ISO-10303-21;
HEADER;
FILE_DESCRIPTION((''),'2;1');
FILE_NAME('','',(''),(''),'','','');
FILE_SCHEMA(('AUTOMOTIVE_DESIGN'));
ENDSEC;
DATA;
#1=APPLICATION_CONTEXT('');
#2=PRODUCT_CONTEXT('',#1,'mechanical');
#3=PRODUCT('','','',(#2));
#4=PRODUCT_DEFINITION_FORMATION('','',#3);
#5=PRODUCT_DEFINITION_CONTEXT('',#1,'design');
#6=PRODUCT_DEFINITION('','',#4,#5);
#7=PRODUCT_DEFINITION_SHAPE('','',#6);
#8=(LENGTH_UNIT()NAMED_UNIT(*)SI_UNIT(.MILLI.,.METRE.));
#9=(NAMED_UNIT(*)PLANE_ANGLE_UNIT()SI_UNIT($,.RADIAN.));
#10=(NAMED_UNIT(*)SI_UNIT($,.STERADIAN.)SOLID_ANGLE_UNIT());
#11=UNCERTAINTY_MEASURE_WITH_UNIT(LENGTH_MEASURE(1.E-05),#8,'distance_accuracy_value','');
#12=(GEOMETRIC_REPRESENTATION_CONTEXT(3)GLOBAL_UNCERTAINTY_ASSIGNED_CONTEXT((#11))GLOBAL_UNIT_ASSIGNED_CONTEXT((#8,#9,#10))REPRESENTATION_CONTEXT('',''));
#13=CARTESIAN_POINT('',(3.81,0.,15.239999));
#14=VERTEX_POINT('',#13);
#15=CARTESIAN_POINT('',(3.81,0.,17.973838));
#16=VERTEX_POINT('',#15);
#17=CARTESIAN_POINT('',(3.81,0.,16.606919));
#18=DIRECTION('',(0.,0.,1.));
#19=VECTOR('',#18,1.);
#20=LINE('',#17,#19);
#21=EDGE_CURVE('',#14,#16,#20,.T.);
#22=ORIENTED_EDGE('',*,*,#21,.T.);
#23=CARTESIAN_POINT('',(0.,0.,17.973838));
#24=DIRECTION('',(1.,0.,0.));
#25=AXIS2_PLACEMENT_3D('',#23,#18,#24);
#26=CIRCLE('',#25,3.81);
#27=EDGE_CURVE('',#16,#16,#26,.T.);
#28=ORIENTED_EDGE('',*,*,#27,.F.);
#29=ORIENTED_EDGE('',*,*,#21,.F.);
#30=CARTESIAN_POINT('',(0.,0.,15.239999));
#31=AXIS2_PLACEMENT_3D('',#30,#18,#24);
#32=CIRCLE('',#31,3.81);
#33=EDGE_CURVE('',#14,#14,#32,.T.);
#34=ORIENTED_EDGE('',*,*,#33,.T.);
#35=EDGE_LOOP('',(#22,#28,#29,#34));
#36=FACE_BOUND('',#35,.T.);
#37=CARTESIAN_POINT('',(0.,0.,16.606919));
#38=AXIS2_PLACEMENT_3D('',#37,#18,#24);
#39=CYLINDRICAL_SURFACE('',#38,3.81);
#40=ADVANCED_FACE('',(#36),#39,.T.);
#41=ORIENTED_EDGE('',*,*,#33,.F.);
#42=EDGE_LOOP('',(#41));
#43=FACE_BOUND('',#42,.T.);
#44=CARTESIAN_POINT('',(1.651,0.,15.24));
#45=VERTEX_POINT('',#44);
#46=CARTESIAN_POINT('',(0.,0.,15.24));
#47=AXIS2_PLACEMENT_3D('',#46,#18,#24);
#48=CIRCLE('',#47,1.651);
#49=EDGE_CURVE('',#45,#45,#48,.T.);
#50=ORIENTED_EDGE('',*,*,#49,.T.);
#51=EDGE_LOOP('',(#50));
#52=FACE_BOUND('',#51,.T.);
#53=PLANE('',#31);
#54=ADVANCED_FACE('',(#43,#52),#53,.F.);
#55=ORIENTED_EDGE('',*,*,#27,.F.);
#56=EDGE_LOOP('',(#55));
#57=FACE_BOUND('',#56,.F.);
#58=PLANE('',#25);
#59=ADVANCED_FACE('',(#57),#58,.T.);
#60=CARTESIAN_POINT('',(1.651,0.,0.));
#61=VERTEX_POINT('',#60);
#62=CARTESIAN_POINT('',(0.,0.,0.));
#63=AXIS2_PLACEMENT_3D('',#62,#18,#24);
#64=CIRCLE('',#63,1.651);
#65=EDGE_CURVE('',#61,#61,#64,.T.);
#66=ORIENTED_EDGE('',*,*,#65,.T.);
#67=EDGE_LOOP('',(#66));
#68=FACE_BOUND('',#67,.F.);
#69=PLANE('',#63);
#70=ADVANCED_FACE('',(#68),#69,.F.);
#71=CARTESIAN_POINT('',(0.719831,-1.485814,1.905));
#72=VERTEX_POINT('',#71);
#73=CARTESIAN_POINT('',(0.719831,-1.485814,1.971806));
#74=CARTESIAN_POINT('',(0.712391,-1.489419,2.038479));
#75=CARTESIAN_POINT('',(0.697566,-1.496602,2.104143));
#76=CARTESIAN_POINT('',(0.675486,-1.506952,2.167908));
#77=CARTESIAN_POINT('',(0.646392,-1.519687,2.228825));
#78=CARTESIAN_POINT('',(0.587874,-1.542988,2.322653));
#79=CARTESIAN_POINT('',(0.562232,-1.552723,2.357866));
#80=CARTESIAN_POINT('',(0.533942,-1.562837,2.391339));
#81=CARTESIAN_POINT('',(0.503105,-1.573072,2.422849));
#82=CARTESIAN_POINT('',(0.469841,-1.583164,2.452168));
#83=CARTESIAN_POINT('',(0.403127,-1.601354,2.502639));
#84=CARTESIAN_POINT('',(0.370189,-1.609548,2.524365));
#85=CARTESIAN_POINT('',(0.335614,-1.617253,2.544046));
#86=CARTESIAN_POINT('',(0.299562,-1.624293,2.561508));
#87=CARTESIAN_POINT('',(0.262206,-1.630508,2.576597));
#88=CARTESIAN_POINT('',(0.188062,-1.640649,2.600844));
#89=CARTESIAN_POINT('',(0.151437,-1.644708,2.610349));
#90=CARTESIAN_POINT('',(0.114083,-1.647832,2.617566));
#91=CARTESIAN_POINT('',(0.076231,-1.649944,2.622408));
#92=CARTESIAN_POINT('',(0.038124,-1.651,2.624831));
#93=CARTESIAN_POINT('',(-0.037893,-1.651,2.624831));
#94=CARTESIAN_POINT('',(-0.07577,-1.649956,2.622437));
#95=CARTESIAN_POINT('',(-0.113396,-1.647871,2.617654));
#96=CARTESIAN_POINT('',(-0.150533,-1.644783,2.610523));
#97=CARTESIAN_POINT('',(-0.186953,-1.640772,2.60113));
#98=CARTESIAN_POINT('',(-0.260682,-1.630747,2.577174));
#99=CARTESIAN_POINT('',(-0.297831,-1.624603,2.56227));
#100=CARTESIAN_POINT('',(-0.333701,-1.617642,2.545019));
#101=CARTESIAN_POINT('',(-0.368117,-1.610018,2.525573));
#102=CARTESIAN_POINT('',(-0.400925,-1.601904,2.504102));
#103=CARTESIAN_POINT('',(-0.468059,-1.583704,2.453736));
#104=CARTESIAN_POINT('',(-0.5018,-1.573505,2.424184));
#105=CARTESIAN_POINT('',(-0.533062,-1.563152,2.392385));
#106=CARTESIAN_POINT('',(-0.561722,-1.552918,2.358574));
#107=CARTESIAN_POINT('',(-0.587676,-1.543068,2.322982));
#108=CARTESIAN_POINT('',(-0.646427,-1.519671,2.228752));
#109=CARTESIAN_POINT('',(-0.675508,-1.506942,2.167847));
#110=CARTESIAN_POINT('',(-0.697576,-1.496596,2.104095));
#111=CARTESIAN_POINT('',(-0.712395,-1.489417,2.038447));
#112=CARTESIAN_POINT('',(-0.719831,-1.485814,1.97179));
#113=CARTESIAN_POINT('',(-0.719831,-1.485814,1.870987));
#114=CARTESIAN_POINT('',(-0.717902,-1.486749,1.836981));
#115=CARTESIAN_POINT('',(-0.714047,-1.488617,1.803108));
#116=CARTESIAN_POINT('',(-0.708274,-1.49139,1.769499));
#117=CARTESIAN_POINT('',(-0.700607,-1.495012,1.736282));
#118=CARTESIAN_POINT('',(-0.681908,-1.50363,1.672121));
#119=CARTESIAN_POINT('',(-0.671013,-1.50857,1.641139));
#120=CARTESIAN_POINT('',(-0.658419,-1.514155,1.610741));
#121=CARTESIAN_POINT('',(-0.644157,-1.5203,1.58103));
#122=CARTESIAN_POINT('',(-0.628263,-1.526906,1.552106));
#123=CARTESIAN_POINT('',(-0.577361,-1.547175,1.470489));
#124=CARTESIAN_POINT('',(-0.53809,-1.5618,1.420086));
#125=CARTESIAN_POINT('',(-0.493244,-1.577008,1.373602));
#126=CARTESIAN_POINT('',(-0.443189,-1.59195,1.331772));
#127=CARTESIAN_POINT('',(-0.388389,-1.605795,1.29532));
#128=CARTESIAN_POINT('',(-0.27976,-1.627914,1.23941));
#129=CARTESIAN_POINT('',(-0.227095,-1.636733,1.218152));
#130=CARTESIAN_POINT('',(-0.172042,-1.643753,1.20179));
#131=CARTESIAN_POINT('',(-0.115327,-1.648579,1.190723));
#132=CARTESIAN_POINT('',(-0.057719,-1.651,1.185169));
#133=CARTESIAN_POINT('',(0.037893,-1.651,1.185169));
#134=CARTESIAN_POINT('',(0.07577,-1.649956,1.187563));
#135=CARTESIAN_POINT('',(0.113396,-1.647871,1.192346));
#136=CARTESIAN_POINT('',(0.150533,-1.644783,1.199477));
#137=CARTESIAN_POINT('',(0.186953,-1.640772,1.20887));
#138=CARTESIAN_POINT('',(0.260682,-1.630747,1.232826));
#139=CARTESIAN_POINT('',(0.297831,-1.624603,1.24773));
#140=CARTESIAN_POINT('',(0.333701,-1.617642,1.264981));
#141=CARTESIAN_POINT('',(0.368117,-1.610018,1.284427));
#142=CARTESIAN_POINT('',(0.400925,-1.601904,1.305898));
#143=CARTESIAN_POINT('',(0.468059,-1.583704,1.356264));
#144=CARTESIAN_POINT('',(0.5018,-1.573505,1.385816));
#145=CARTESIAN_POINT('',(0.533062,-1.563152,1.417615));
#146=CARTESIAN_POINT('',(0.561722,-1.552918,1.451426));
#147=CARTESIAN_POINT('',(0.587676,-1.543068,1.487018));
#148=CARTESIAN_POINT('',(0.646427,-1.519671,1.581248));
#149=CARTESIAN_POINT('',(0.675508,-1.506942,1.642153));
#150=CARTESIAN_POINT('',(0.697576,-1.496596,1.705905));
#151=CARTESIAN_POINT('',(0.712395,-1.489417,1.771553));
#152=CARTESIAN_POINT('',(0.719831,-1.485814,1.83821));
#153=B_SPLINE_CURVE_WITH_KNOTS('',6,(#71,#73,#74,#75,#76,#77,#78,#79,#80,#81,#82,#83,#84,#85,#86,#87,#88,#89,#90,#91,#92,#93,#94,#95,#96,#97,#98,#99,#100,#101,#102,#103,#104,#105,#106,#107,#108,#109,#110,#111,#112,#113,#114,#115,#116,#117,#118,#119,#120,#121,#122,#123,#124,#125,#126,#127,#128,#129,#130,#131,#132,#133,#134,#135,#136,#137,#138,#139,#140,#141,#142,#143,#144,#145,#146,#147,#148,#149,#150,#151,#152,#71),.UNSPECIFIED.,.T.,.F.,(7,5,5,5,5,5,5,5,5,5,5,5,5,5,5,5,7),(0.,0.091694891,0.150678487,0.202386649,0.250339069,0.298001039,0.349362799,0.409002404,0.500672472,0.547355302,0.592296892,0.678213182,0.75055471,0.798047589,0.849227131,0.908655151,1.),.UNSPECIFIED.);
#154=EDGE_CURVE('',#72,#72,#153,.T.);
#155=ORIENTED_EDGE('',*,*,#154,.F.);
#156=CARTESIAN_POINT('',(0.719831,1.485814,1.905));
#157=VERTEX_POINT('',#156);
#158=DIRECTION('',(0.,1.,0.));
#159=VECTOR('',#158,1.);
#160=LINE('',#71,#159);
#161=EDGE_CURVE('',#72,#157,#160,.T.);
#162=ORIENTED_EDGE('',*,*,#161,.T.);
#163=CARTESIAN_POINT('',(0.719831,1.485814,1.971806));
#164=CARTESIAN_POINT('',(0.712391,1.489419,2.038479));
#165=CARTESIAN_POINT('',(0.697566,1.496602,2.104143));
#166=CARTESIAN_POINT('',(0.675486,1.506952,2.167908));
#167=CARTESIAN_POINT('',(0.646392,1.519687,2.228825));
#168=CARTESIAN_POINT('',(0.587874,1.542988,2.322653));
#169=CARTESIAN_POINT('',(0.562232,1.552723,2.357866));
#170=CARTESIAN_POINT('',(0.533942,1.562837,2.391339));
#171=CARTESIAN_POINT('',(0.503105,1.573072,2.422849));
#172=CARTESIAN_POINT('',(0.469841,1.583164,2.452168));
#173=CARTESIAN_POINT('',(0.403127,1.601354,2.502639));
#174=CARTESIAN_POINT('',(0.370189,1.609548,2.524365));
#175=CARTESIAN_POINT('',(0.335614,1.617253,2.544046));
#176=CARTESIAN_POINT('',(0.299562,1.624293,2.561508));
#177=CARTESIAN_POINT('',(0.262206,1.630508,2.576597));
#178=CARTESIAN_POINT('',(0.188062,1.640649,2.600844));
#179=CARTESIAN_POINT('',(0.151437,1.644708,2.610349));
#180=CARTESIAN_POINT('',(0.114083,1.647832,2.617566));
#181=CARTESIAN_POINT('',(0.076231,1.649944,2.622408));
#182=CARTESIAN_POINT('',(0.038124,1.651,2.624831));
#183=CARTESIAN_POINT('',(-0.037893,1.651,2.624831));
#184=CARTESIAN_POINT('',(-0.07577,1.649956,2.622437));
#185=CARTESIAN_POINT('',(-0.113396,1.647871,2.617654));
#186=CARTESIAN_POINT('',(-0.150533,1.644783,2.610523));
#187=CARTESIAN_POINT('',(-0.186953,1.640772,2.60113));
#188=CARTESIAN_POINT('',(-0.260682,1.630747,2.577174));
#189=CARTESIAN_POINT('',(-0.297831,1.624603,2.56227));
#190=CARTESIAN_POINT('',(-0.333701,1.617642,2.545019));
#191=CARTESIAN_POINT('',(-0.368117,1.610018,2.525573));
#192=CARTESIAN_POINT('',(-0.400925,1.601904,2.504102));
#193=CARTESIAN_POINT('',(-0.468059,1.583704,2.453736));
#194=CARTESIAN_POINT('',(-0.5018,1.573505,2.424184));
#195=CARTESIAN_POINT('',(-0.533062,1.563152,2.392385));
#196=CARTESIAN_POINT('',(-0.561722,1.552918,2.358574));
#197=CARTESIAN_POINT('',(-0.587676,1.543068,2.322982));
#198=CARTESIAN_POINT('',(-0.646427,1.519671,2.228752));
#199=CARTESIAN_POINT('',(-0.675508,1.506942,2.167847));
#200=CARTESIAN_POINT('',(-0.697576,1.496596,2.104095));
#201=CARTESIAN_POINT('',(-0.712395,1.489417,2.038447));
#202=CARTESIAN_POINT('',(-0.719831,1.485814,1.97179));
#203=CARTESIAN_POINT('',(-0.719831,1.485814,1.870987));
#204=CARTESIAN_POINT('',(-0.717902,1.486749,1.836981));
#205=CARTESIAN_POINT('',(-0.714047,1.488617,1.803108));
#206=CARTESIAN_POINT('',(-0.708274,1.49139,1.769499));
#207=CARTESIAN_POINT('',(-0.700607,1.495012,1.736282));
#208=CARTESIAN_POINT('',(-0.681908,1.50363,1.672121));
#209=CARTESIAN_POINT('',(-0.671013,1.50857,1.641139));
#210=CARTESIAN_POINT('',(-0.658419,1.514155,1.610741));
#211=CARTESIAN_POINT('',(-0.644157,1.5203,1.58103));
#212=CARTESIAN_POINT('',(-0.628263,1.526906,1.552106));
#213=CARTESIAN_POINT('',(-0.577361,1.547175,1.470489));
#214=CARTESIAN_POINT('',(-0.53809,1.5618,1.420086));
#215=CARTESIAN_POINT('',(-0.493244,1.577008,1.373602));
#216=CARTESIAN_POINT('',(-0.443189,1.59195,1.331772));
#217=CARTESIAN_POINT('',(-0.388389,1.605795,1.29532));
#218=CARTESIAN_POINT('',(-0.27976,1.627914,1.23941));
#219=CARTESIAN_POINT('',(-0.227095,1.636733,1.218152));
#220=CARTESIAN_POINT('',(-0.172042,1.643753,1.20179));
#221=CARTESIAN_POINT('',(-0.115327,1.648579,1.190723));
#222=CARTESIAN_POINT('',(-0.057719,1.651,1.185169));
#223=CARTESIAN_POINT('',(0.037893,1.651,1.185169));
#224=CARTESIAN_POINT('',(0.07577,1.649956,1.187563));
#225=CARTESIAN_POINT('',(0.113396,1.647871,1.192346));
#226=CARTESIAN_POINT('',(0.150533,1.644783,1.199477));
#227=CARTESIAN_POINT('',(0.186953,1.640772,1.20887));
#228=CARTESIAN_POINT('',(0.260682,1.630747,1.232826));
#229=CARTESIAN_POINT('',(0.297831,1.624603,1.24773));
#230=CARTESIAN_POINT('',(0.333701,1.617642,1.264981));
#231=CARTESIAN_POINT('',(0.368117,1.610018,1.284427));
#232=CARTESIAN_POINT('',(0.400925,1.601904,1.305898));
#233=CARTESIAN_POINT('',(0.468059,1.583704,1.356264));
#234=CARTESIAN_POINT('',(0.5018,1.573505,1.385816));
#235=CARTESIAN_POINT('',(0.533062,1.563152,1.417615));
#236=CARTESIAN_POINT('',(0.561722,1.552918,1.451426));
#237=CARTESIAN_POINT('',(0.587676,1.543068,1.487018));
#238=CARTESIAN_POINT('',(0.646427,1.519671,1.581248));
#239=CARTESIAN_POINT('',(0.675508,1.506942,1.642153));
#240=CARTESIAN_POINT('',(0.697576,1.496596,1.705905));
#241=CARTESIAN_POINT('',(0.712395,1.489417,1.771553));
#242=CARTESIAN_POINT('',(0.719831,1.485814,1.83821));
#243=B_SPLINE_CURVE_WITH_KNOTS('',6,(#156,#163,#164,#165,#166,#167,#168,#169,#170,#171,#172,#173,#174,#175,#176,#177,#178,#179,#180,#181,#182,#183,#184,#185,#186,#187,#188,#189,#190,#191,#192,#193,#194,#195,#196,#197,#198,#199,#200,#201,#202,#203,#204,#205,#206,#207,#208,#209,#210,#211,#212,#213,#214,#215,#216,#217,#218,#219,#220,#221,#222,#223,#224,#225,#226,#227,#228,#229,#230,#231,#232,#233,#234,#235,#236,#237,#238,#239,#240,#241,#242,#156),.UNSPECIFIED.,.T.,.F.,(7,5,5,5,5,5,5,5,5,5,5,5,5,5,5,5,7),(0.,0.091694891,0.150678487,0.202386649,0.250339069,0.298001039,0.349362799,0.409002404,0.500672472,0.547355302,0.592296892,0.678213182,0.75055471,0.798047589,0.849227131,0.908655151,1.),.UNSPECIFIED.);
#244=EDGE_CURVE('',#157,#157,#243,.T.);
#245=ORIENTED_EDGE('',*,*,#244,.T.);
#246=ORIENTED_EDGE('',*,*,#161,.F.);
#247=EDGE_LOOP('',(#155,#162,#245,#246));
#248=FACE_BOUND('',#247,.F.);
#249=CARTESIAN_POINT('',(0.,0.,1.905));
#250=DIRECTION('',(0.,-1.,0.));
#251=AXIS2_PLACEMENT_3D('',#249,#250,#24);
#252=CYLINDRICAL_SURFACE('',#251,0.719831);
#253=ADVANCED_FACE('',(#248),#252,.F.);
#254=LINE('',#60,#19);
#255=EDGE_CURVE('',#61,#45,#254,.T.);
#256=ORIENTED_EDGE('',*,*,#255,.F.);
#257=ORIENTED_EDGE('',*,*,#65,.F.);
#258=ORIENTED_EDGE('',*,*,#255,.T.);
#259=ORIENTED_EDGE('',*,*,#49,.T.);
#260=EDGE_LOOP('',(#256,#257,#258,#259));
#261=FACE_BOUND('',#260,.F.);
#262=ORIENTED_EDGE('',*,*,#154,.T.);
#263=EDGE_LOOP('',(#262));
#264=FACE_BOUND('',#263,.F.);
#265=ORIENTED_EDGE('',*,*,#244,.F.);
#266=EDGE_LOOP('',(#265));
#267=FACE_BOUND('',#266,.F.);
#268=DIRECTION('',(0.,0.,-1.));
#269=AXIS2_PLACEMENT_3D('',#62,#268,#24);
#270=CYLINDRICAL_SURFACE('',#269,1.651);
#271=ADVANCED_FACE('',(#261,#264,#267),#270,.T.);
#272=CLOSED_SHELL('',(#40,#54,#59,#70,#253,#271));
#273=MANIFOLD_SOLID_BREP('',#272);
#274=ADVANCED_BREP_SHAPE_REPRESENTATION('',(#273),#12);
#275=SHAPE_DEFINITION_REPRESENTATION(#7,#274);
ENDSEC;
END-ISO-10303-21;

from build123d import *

# Parameters (mm, degrees)
F0_R     = 1.651
F1_DEPTH = 15.24
F2_W     = 3.81
F2_H     = 2.733839
F4_R     = 0.719831
F5_DEPTH = 3.811
F6_DEPTH = 3.811


with BuildPart() as f1:
    # F0 (on Top) → F1 (new body)
    with BuildSketch(Plane.XY):
        Circle(F0_R)
    extrude(amount=F1_DEPTH)

    # F2 (on Front) → F3 (revolve)
    with BuildSketch(Plane.XZ):
        with Locations((1.905, 16.606919)):
            Rectangle(F2_W, F2_H)
    revolve(axis=Axis((0, 0, 16.606919), (0, 0, 1)))

    # F4 (on Front) → F5 (cut, through all)
    with BuildSketch(Plane.XZ):
        with Locations((0, 1.905)):
            Circle(F4_R)
    extrude(amount=-F5_DEPTH, mode=Mode.SUBTRACT)

    # F4 (on Front) → F6 (cut, through all)
    with BuildSketch(Plane.XZ):
        with Locations((0, 1.905)):
            Circle(F4_R)
    extrude(amount=F6_DEPTH, mode=Mode.SUBTRACT)


solid = f1.part
